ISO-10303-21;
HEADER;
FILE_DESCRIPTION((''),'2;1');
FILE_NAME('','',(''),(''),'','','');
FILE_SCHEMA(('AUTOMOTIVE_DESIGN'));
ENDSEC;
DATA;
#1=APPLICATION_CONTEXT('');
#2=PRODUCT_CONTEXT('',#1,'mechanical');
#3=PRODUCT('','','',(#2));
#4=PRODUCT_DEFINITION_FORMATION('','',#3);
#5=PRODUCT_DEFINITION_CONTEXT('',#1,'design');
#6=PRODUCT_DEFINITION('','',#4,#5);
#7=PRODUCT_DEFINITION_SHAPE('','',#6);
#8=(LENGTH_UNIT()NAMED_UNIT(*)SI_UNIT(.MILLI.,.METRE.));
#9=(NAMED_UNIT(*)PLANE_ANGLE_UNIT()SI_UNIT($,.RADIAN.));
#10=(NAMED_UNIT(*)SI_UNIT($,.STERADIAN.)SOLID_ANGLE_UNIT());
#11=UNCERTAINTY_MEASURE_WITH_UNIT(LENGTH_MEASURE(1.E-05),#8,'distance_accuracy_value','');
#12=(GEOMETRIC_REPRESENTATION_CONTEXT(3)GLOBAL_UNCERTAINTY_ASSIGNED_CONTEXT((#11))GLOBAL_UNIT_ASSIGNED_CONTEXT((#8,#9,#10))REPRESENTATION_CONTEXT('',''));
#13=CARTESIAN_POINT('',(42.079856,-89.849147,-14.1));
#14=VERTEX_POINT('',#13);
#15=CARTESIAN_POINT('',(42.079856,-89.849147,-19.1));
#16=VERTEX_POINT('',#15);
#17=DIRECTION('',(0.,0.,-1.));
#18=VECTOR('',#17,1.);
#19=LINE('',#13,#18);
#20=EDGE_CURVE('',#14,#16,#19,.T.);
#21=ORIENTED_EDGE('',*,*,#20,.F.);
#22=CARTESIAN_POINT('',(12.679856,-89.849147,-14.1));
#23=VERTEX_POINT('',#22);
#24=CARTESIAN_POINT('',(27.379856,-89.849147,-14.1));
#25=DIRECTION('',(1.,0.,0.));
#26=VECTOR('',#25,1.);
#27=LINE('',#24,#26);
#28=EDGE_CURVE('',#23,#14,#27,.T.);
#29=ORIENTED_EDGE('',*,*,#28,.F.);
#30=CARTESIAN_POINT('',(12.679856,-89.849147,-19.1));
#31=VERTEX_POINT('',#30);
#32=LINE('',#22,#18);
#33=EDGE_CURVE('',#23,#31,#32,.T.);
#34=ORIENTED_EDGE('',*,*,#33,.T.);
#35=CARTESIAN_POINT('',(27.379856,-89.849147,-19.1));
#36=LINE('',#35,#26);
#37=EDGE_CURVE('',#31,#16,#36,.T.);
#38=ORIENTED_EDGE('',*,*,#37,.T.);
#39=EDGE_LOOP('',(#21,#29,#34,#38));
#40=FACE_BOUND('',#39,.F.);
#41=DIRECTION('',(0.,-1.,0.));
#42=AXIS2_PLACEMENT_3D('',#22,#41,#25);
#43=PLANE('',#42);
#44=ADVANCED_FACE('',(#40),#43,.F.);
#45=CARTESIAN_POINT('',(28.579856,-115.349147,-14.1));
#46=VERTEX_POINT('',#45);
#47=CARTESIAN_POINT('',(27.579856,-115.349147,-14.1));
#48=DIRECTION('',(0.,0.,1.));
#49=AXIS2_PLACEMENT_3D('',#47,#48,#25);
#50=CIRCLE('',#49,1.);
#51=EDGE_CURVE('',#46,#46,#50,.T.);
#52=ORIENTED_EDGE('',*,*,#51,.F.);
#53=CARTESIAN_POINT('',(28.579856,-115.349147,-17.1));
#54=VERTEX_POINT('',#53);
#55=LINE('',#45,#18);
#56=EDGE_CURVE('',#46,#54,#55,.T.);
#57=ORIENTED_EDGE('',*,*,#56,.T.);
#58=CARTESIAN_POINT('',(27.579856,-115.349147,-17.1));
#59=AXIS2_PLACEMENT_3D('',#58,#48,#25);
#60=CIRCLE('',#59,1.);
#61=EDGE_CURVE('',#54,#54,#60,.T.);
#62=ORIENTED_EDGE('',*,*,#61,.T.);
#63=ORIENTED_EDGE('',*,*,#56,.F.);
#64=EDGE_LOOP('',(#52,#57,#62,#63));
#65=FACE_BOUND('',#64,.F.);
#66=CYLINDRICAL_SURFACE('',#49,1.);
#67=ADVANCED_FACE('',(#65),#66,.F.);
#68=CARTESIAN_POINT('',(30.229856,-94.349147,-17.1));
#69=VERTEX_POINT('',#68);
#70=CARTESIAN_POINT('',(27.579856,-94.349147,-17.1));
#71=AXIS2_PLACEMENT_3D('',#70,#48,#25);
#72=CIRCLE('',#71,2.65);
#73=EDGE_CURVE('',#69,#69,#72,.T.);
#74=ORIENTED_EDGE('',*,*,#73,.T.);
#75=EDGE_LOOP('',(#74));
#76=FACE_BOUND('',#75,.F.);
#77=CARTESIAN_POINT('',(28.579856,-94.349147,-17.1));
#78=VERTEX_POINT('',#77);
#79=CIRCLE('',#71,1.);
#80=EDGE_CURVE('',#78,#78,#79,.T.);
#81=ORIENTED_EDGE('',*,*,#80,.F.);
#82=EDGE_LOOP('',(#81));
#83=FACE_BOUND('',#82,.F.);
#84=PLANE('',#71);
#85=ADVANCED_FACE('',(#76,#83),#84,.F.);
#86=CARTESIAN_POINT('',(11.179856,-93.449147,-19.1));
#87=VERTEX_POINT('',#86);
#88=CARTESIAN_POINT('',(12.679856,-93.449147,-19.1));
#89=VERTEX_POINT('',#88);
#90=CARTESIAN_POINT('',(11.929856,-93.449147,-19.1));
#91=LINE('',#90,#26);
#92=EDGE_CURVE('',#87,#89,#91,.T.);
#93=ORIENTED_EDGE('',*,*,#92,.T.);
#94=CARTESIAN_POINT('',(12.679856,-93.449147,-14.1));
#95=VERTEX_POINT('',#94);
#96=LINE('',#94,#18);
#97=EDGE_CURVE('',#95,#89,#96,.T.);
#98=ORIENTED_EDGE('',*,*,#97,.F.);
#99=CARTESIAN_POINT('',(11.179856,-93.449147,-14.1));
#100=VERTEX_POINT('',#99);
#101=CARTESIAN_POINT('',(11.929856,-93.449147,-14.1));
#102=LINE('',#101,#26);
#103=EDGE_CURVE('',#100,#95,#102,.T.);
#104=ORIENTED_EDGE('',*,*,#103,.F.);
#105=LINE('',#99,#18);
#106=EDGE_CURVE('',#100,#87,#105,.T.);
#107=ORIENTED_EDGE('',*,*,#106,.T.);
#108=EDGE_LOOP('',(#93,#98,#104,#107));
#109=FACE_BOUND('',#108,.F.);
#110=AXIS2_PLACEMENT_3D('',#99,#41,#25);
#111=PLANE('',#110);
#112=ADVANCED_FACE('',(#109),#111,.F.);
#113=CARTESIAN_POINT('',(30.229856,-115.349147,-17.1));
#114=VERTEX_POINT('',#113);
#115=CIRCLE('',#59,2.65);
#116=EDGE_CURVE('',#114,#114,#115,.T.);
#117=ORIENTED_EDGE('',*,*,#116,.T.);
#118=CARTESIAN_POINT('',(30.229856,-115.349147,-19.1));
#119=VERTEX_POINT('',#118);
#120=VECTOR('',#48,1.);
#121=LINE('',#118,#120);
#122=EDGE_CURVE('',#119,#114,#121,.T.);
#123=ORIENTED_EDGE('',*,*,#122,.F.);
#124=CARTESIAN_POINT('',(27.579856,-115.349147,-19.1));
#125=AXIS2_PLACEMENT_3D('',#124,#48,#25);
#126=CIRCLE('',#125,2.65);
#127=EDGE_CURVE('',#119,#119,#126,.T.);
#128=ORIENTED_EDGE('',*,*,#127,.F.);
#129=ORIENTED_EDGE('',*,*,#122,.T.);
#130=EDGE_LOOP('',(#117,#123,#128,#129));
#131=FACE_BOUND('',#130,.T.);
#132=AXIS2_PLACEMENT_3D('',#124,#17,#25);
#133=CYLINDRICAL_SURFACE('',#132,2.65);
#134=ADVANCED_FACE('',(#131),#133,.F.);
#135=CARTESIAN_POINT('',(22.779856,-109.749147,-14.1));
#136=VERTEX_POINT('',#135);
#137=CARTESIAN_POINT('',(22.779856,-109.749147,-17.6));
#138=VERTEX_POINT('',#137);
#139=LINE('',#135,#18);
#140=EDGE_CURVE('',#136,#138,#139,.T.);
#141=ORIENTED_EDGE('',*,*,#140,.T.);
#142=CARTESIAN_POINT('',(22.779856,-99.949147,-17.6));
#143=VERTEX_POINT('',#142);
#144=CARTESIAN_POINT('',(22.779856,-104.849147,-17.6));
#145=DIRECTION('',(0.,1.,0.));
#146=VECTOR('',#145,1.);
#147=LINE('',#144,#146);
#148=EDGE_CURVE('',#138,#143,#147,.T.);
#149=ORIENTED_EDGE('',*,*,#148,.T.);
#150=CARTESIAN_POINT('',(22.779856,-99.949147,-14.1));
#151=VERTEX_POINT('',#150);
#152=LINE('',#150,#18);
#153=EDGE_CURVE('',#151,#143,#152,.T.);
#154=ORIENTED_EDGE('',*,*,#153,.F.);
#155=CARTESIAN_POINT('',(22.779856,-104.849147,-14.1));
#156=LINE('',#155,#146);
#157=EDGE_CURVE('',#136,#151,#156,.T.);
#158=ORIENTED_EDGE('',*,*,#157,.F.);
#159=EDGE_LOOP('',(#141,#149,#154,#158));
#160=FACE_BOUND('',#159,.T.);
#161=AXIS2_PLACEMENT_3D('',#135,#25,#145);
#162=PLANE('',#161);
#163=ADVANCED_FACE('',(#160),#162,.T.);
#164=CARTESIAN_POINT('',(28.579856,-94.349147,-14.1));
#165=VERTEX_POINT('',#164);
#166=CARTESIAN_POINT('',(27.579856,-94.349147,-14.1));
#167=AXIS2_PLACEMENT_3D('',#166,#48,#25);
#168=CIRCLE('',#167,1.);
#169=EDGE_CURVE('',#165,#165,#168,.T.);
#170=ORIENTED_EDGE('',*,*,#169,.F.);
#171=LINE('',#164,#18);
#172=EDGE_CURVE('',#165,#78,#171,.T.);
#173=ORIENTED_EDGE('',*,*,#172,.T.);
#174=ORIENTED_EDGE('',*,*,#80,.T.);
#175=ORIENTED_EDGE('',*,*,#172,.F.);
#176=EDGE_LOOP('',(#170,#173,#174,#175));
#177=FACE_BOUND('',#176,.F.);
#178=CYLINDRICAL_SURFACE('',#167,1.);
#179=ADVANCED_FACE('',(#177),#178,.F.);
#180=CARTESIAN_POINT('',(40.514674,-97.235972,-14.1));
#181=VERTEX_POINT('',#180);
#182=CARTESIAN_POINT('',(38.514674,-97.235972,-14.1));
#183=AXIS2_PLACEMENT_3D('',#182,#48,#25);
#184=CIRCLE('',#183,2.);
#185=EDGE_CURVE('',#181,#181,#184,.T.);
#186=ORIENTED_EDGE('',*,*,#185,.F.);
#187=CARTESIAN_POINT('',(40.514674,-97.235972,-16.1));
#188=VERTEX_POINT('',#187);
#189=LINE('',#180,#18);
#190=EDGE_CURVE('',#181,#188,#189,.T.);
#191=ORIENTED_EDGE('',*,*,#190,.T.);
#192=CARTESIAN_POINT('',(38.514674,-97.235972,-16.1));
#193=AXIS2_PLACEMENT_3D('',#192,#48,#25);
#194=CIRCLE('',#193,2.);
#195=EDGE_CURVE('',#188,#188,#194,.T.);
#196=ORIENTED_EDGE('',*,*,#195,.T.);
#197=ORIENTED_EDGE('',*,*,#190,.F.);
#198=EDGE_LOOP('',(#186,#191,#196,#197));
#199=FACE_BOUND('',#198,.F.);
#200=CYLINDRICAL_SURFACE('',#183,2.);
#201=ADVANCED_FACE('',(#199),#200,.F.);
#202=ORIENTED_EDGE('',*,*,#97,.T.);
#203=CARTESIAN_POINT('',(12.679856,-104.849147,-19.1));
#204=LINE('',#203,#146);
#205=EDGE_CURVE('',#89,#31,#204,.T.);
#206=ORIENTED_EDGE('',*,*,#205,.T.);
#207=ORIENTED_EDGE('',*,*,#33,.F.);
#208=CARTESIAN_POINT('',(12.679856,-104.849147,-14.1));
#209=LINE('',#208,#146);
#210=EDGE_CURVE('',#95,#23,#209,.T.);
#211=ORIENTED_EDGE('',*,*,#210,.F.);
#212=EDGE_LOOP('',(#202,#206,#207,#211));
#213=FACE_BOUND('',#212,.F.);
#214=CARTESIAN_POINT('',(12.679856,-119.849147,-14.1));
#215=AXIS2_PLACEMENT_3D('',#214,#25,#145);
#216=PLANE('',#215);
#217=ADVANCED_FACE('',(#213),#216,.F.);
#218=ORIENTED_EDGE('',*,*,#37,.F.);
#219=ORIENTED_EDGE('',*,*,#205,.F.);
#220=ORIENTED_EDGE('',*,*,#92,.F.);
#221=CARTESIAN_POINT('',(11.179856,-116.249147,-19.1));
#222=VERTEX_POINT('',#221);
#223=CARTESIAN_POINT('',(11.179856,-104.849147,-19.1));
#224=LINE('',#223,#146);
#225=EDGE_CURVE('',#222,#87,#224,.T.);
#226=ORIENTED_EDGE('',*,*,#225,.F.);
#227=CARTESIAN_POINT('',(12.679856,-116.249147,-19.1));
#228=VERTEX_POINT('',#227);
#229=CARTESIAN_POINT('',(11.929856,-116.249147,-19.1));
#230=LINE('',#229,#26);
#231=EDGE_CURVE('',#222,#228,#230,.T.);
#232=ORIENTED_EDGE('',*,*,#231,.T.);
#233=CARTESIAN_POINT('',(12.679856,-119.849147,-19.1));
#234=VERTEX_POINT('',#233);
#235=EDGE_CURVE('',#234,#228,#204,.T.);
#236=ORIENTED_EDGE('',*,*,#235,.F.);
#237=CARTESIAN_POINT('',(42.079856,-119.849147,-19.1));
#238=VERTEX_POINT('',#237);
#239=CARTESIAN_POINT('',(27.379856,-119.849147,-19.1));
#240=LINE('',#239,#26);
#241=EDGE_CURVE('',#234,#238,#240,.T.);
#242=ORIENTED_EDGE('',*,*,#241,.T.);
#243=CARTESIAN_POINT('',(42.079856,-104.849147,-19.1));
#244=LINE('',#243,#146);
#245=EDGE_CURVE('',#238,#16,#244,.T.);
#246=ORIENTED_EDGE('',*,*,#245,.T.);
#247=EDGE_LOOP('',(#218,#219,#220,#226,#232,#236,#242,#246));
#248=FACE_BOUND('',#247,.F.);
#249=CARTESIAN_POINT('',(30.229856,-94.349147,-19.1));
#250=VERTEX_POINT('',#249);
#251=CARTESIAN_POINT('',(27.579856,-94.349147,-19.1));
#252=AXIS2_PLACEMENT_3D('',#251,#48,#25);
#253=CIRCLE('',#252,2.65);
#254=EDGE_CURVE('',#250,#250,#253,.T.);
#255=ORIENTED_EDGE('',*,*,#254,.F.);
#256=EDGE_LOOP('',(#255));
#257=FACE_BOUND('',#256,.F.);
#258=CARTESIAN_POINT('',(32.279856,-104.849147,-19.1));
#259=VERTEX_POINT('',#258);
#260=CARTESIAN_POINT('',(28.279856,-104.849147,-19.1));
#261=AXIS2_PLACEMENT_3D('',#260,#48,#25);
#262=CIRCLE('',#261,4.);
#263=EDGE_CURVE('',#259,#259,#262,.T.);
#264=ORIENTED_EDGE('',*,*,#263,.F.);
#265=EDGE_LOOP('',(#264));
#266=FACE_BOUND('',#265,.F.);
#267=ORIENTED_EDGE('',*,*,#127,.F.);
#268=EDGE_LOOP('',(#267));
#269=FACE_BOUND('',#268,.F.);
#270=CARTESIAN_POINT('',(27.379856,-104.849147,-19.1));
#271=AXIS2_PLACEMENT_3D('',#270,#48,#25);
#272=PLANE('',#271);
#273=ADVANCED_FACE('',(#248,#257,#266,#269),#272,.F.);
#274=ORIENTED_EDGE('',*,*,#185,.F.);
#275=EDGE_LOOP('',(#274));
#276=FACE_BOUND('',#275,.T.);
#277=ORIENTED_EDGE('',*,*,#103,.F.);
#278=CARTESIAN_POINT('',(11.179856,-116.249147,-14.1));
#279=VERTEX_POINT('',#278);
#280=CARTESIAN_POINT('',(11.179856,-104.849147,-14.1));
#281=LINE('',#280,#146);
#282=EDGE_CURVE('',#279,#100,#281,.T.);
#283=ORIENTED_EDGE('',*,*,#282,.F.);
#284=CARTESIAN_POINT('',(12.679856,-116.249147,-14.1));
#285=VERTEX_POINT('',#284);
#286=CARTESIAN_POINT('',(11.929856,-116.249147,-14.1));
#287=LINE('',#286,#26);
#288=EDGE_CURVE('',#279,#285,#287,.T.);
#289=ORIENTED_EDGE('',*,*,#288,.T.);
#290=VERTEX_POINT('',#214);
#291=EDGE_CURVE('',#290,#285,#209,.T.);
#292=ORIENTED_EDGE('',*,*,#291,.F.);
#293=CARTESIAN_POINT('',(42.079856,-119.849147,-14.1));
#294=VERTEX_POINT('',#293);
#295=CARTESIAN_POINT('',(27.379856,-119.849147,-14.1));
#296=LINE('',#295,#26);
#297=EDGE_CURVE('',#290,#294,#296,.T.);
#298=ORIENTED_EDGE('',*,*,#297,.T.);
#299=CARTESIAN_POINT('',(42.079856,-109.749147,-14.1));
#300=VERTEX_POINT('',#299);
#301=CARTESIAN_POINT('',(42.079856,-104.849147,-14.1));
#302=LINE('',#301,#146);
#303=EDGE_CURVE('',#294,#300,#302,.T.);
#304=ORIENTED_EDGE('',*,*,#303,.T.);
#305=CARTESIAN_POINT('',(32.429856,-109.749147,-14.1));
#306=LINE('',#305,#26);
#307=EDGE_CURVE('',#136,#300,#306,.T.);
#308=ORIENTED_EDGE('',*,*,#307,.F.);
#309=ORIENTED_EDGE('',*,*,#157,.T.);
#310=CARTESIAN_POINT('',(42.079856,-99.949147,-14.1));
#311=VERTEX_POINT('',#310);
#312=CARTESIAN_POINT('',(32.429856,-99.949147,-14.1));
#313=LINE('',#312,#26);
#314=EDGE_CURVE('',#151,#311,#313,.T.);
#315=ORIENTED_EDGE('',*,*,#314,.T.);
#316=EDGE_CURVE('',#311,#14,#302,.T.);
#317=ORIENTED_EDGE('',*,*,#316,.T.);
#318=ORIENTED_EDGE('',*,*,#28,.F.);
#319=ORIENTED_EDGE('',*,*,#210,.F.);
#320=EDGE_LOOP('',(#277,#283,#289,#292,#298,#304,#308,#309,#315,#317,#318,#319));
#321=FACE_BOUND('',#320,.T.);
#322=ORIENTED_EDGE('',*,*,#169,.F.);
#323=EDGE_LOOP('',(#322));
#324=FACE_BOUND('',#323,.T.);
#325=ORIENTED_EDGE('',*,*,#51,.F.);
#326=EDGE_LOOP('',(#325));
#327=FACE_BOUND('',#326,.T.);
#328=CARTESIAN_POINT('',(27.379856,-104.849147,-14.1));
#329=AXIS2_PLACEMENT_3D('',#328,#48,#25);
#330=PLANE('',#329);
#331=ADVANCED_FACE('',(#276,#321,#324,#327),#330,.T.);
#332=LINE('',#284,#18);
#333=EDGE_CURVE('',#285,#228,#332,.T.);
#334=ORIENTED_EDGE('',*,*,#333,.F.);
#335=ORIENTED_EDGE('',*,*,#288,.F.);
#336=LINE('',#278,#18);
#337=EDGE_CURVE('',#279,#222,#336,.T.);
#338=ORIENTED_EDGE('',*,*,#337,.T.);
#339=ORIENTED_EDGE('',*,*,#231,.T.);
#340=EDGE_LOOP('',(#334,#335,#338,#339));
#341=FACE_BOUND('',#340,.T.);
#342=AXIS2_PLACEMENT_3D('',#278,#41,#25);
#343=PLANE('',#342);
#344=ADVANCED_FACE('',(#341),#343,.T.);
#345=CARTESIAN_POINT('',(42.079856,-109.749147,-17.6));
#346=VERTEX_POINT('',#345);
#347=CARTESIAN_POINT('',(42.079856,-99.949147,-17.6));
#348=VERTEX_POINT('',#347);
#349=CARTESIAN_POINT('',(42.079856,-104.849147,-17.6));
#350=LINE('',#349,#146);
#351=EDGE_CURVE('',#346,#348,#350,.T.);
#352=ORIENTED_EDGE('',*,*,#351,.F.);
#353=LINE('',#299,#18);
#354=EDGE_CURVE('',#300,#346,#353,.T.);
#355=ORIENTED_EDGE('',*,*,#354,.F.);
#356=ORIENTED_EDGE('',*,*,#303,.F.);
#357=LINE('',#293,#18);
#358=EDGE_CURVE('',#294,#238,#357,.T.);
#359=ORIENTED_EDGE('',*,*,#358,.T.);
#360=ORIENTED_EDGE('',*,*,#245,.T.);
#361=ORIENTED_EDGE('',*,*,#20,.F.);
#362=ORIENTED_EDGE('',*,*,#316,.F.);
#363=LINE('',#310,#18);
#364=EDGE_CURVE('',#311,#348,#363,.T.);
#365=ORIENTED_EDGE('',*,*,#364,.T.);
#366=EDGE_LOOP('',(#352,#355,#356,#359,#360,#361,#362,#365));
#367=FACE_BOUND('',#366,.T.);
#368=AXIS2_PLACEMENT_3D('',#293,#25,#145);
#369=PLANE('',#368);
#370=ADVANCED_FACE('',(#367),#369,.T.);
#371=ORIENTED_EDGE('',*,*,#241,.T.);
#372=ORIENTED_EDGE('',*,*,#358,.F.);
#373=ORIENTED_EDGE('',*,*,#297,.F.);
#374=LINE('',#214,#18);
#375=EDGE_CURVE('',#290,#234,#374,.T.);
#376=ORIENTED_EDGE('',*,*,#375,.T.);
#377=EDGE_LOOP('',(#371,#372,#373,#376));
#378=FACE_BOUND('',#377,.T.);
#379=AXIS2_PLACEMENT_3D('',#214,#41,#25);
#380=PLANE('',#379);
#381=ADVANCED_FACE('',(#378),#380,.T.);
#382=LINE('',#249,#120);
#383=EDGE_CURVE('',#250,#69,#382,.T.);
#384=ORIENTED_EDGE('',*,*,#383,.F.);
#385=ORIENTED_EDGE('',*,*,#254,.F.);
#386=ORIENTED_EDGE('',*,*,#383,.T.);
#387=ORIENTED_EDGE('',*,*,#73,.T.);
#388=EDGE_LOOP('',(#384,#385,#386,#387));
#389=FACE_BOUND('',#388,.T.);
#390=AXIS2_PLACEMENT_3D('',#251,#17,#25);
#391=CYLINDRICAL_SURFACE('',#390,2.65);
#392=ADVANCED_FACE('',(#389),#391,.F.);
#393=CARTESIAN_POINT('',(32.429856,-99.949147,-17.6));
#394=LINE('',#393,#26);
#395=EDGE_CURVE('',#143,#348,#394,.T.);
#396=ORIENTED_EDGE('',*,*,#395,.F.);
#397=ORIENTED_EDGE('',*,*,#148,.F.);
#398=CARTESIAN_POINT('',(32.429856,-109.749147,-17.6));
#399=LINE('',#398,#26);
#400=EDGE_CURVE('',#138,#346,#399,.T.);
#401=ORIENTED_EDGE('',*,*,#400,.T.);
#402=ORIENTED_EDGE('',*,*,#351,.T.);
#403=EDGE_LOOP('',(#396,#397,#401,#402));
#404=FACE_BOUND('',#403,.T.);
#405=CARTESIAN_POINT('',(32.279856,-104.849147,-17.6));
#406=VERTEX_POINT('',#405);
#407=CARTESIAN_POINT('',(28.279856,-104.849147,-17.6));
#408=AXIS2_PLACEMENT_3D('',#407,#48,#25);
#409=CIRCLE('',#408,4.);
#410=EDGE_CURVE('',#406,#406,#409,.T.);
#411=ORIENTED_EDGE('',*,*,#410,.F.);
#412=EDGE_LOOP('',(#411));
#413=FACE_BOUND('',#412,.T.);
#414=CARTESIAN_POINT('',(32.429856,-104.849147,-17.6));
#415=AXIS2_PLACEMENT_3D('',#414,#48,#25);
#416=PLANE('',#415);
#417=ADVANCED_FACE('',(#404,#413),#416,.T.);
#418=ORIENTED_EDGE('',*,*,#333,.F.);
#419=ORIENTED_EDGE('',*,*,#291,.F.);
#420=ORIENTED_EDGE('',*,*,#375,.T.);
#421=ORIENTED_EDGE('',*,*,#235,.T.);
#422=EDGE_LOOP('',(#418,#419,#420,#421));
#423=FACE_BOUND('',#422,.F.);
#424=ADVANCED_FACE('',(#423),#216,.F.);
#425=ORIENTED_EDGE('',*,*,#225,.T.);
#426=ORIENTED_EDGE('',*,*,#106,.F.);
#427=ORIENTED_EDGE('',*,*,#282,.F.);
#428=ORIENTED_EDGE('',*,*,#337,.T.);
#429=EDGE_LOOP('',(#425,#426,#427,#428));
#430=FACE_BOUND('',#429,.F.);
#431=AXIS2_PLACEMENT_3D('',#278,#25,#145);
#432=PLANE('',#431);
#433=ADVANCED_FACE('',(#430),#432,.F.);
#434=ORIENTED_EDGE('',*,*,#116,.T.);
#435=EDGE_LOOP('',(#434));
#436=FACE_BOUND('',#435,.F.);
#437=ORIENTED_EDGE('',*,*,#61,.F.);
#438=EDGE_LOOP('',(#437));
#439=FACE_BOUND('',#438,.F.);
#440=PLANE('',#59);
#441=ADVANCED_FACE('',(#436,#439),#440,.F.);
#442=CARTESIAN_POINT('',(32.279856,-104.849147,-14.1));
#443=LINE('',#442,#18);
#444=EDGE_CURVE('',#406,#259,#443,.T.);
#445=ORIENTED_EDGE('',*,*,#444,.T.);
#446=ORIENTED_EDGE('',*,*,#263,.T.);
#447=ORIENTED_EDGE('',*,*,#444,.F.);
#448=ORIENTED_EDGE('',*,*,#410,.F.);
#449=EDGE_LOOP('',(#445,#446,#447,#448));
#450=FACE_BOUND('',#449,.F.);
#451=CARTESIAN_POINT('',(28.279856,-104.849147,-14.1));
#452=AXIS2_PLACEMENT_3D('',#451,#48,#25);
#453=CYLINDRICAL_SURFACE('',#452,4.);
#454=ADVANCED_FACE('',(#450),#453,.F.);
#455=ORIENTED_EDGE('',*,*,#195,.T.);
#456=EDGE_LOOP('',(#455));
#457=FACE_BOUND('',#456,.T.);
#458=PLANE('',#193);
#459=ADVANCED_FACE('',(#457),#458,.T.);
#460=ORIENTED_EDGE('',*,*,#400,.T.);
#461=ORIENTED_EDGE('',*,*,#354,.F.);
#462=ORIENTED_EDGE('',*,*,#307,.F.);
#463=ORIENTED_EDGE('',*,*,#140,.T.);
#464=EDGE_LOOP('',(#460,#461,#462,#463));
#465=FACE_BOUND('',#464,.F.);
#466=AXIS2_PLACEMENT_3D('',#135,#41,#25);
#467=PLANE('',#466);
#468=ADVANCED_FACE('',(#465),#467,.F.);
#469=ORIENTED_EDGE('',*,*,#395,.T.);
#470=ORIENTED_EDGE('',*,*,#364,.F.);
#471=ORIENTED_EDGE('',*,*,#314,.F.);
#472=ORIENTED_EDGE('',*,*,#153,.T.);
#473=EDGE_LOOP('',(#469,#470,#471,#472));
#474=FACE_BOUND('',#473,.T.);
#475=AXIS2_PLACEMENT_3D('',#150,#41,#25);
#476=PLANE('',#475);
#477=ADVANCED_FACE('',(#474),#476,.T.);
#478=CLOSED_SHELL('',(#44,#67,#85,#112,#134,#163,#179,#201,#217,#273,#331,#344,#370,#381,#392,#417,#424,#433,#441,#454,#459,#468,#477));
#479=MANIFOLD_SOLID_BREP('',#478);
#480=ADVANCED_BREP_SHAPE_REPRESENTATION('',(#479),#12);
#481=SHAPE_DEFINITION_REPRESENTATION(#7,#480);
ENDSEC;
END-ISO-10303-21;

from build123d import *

# Parameters (mm, degrees)
CIRCLE034_R      = 2
EXTRUDE206_DEPTH = 2
CIRCLE_R         = 1
EXTRUDE086_DEPTH = 5
CIRCLE025_R      = 1
EXTRUDE088_DEPTH = 5
CIRCLE022_R      = 4
EXTRUDE160_DEPTH = 5
CIRCLE030_R      = 2.65
EXTRUDE173_DEPTH = 2
CIRCLE031_R      = 2.65
EXTRUDE174_DEPTH = 2
RECTANGLE045_W   = 19.3
RECTANGLE045_H   = 9.8
EXTRUDE085_DEPTH = 3.5
RECTANGLE043_W   = 29.4
RECTANGLE043_H   = 30
EXTRUDE083_DEPTH = 5
RECTANGLE044_W   = 1.5
RECTANGLE044_H   = 22.8
EXTRUDE095_DEPTH = 5


with BuildPart() as extrude206:
    # Circle034 → Extrude206 (new body)
    with BuildSketch(Plane(origin=(38.514674, -97.235972, -14.1), x_dir=(1, 0, 0), z_dir=(0, 0, 1))):
        Circle(CIRCLE034_R)
    extrude(amount=-EXTRUDE206_DEPTH)


with BuildPart() as extrude086:
    # Circle → Extrude086 (new body)
    with BuildSketch(Plane(origin=(27.579856, -94.349147, -14.1), x_dir=(1, 0, 0), z_dir=(0, 0, 1))):
        Circle(CIRCLE_R)
    extrude(amount=-EXTRUDE086_DEPTH)


with BuildPart() as extrude088:
    # Circle025 → Extrude088 (new body)
    with BuildSketch(Plane(origin=(27.579856, -115.349147, -14.1), x_dir=(1, 0, 0), z_dir=(0, 0, 1))):
        Circle(CIRCLE025_R)
    extrude(amount=-EXTRUDE088_DEPTH)


with BuildPart() as extrude160:
    # Circle022 → Extrude160 (new body)
    with BuildSketch(Plane(origin=(28.279856, -104.849147, -14.1), x_dir=(1, 0, 0), z_dir=(0, 0, 1))):
        Circle(CIRCLE022_R)
    extrude(amount=-EXTRUDE160_DEPTH)


with BuildPart() as extrude173:
    # Circle030 → Extrude173 (new body)
    with BuildSketch(Plane(origin=(27.579856, -94.349147, -19.1), x_dir=(1, 0, 0), z_dir=(0, 0, 1))):
        Circle(CIRCLE030_R)
    extrude(amount=EXTRUDE173_DEPTH)


with BuildPart() as extrude174:
    # Circle031 → Extrude174 (new body)
    with BuildSketch(Plane(origin=(27.579856, -115.349147, -19.1), x_dir=(1, 0, 0), z_dir=(0, 0, 1))):
        Circle(CIRCLE031_R)
    extrude(amount=EXTRUDE174_DEPTH)


with BuildPart() as extrude085:
    # Rectangle045 → Extrude085 (new body)
    with BuildSketch(Plane(origin=(22.779856, -109.749147, -14.1), x_dir=(1, 0, 0), z_dir=(0, 0, 1))):
        with Locations((9.65, 4.9)):
            Rectangle(RECTANGLE045_W, RECTANGLE045_H)
    extrude(amount=-EXTRUDE085_DEPTH)


with BuildPart() as cut107:
    # Rectangle043 → Extrude083 (new body)
    with BuildSketch(Plane(origin=(12.679856, -119.849147, -14.1), x_dir=(1, 0, 0), z_dir=(0, 0, 1))):
        with Locations((14.7, 15)):
            Rectangle(RECTANGLE043_W, RECTANGLE043_H)
    extrude(amount=-EXTRUDE083_DEPTH)

    # Cut027: cut Extrude085
    add(extrude085.part, mode=Mode.SUBTRACT)

    # Cut086: cut Extrude174
    add(extrude174.part, mode=Mode.SUBTRACT)

    # Cut087: cut Extrude173
    add(extrude173.part, mode=Mode.SUBTRACT)

    # Cut088: cut Extrude160
    add(extrude160.part, mode=Mode.SUBTRACT)

    # Cut089: cut Extrude088
    add(extrude088.part, mode=Mode.SUBTRACT)

    # Cut090: cut Extrude086
    add(extrude086.part, mode=Mode.SUBTRACT)

    # Cut107: cut Extrude206
    add(extrude206.part, mode=Mode.SUBTRACT)


with BuildPart() as fusion_lens_cover:
    # Rectangle044 → Extrude095 (new body)
    with BuildSketch(Plane(origin=(11.179856, -116.249147, -14.1), x_dir=(1, 0, 0), z_dir=(0, 0, 1))):
        with Locations((0.75, 11.4)):
            Rectangle(RECTANGLE044_W, RECTANGLE044_H)
    extrude(amount=-EXTRUDE095_DEPTH)

    # Fusion047: union Cut107
    add(cut107.part)


solid = fusion_lens_cover.part
